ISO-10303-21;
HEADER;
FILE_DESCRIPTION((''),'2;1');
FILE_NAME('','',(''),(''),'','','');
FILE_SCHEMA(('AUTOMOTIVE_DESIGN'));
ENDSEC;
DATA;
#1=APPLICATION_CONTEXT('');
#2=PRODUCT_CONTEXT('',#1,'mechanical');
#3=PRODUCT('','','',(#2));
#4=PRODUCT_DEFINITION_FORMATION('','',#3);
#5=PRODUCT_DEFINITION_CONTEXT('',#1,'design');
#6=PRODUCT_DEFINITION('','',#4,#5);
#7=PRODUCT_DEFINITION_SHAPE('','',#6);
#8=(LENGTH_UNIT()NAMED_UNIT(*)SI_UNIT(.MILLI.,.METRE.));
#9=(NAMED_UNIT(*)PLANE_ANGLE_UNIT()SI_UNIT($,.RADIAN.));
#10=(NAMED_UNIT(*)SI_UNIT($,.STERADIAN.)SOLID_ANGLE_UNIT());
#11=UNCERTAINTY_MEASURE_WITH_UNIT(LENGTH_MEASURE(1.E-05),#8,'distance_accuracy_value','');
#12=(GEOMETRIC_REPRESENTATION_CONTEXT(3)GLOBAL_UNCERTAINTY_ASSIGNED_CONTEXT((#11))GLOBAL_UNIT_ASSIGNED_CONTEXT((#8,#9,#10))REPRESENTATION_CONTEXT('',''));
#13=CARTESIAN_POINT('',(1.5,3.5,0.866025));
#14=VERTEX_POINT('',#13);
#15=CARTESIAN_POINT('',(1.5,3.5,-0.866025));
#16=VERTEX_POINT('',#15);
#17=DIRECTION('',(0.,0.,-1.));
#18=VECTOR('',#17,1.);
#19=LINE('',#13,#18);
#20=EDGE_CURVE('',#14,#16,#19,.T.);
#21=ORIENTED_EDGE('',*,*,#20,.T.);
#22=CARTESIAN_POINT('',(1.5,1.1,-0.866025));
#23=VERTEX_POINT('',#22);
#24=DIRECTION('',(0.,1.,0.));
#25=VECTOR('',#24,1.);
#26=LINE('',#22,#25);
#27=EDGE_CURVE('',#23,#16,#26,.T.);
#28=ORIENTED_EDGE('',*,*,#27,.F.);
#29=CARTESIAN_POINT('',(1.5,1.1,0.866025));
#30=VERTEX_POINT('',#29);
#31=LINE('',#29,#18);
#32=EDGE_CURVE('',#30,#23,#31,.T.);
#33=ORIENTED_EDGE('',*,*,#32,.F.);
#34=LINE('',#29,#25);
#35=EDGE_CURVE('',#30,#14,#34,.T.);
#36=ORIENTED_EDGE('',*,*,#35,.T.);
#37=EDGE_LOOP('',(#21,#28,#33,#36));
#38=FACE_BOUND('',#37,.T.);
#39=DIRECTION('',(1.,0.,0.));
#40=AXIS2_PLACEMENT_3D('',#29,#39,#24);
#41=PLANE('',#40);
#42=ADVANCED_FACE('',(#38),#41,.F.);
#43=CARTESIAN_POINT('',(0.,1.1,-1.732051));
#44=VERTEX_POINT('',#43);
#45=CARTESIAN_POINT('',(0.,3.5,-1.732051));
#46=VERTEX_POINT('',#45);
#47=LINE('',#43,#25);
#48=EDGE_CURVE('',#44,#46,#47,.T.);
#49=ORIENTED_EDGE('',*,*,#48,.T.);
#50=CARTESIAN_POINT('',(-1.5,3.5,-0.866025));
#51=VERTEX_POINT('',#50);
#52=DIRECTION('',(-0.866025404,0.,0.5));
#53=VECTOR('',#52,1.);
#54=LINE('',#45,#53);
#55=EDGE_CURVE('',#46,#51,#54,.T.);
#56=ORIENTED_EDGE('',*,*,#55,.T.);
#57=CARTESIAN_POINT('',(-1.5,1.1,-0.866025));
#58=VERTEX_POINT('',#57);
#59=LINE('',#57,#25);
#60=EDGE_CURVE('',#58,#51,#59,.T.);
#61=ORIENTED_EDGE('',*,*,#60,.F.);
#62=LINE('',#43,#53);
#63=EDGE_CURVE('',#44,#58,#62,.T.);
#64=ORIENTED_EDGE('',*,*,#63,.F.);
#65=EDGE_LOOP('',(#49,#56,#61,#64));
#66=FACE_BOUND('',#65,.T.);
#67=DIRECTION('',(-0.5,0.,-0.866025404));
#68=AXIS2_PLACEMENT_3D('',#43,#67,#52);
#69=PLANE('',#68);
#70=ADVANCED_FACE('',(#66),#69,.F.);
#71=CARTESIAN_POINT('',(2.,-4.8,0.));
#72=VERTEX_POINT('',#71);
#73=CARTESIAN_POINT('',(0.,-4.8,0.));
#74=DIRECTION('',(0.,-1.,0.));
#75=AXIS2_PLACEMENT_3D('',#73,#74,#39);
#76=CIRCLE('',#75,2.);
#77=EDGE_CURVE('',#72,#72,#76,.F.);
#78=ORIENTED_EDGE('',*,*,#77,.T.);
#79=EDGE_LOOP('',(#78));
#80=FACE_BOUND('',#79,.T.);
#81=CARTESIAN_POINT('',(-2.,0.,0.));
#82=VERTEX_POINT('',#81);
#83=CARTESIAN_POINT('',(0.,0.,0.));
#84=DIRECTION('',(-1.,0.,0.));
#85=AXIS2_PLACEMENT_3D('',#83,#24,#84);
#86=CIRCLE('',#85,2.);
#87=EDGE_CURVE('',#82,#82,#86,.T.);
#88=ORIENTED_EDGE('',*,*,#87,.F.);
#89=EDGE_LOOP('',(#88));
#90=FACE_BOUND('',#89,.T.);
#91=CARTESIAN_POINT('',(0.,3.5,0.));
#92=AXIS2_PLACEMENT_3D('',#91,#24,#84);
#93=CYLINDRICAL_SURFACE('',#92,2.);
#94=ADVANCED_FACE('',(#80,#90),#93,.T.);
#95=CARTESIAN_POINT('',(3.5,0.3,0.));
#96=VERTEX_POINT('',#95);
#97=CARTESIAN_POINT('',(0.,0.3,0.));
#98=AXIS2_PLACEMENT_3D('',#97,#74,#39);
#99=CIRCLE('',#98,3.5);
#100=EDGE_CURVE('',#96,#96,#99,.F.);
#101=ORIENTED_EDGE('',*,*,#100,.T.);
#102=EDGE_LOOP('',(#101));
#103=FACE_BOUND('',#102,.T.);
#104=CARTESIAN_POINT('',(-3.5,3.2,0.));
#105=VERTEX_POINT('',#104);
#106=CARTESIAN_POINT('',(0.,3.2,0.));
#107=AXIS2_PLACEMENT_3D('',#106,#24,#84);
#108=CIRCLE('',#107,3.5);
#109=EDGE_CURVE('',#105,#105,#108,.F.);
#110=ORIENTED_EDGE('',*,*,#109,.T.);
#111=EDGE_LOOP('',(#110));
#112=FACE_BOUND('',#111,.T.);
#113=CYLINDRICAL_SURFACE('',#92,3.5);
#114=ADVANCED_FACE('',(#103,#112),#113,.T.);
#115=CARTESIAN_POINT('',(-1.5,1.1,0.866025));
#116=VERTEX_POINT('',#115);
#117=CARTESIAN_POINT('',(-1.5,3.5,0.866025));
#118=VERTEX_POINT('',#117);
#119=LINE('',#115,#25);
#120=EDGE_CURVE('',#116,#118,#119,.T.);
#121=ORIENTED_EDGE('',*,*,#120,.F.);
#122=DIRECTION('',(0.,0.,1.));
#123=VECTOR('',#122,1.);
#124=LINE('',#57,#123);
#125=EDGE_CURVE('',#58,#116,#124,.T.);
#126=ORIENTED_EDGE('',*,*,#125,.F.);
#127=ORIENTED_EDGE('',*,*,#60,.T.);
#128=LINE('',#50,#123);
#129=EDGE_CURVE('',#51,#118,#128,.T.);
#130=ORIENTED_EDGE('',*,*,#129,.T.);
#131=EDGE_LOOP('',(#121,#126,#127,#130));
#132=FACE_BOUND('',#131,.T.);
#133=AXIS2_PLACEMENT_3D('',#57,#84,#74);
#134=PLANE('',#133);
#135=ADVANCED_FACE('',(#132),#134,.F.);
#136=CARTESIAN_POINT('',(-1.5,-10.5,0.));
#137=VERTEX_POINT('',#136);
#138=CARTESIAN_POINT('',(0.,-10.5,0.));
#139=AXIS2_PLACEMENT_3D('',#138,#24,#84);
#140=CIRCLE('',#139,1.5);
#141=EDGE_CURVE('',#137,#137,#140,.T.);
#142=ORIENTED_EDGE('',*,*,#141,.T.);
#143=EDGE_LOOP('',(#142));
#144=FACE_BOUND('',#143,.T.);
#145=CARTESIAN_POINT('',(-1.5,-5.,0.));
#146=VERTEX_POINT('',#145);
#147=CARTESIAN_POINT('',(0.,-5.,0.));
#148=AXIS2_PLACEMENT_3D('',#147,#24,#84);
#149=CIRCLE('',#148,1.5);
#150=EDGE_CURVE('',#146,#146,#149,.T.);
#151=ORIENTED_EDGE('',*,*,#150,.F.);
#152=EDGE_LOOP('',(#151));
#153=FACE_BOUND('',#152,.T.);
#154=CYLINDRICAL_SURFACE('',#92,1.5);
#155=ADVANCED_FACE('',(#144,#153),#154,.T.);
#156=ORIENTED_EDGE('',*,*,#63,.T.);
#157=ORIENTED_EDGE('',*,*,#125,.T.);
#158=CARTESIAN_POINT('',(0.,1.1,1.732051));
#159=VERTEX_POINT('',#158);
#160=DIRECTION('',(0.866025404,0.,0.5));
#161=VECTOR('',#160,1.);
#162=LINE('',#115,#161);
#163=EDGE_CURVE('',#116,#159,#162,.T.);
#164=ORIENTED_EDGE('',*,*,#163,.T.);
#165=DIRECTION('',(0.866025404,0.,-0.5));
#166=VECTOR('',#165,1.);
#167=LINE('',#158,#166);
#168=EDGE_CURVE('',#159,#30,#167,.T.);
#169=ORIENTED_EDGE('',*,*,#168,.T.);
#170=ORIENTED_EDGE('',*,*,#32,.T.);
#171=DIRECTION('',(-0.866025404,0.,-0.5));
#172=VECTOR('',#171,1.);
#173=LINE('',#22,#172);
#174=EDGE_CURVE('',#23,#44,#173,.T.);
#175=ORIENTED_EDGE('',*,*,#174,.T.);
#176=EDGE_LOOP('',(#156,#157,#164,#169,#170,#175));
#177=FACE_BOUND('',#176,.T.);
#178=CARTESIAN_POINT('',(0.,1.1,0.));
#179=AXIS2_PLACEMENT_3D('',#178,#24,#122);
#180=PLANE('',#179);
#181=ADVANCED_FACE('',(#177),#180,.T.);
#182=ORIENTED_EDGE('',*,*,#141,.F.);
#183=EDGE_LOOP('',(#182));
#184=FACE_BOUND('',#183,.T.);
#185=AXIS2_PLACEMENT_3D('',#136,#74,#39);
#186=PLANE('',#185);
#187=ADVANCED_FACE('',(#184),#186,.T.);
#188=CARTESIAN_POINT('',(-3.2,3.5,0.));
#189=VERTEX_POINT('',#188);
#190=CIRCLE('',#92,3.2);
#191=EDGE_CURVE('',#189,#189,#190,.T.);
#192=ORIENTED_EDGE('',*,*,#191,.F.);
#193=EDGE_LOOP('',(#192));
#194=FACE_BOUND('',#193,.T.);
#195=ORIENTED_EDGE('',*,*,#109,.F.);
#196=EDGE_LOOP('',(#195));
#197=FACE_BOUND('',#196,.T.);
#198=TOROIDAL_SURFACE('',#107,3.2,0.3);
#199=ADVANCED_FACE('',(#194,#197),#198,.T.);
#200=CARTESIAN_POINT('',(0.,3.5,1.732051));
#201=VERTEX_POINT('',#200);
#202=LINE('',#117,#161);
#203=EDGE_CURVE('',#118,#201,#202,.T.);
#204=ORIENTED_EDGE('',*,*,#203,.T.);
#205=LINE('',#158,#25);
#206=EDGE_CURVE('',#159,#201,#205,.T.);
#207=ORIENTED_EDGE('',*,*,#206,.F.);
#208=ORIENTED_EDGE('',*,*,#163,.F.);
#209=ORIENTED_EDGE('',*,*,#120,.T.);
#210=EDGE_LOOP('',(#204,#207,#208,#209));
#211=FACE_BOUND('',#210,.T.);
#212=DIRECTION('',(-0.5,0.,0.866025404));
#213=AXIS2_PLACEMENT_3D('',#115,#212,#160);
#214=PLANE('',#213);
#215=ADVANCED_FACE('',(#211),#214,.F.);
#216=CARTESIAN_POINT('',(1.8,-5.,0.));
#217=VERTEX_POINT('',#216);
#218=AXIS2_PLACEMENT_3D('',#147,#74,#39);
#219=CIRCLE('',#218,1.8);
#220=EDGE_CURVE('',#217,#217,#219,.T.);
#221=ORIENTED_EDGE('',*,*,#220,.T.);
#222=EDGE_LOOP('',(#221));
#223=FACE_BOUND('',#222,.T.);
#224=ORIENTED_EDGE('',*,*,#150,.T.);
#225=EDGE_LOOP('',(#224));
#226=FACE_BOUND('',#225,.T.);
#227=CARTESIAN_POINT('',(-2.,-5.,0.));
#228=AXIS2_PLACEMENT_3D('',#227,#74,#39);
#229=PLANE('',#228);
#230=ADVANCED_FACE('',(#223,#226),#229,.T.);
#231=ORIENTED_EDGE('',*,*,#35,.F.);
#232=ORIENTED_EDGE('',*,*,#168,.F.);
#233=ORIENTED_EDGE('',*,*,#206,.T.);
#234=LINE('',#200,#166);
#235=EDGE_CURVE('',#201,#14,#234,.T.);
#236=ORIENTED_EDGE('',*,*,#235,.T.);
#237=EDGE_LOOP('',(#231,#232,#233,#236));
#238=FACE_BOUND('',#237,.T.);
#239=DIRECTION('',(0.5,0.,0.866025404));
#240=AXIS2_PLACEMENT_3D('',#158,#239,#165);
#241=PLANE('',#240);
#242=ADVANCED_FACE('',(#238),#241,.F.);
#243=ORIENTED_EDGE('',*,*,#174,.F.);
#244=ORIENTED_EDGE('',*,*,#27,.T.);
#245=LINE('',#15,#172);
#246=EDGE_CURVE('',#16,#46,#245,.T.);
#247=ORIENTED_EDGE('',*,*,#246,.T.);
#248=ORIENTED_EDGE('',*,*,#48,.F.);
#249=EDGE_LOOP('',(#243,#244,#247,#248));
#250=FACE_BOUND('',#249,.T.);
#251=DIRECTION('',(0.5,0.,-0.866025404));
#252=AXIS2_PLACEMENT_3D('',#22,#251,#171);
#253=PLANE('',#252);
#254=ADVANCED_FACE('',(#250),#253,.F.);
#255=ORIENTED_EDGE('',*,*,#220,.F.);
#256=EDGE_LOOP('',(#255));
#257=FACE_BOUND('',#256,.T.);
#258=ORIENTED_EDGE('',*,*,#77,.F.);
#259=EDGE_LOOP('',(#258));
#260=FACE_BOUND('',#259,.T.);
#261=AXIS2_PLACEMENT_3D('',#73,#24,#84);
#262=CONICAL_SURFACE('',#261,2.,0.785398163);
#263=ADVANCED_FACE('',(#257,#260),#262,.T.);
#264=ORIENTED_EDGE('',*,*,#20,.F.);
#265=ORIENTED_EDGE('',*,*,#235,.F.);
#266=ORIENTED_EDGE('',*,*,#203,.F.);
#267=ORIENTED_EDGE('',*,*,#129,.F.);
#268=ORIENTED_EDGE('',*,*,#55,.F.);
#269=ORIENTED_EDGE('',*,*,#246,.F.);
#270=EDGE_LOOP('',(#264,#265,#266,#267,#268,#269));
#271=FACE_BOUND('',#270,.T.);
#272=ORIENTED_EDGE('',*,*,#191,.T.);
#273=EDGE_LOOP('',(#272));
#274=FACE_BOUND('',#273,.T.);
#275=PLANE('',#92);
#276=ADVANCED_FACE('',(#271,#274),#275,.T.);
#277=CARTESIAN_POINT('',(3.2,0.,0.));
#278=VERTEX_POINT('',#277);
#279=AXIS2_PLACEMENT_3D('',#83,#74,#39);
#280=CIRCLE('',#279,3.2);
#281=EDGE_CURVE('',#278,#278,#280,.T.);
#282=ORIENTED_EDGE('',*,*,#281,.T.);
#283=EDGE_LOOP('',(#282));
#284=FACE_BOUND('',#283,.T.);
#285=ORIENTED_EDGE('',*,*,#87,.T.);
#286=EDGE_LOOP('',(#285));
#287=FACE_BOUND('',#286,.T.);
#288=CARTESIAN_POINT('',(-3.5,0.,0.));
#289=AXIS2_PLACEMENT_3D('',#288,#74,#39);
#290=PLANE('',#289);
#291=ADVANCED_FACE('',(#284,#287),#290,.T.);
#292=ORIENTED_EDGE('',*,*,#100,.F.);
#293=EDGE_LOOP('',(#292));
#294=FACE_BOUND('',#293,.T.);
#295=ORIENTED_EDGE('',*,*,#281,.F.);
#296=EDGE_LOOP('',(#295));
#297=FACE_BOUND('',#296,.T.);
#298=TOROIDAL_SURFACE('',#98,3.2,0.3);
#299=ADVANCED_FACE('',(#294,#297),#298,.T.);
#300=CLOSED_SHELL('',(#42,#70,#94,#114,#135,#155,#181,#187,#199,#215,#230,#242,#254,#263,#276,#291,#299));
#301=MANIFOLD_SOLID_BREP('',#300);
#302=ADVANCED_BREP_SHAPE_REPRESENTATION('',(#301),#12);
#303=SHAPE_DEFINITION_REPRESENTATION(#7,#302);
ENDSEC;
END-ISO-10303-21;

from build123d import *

# Parameters (mm, degrees)
FILLET_1_R          = 0.3
CUT_EXTRUDE_1_DEPTH = 2.4
CHAMFER_1_SIZE      = 0.2


with BuildPart() as part:
    # 草图1 → 旋转1 (revolve)
    with BuildSketch(Plane.XY):
        Polygon((0, 3.5), (-3.5, 3.5), (-3.5, 0), (-2, 0), (-2, -5), (-1.5, -5), (-1.5, -10.5), (0, -10.5), align=None)
    revolve(axis=Axis((0, 3.5, 0), (0, -1, 0)))

    # 圆角1
    fillet_1_edges = [part.edges().sort_by_distance(p)[0] for p in [
        (3.5, 0, 0),
        (3.5, 3.5, 0),
    ]]
    fillet(fillet_1_edges, radius=FILLET_1_R)

    # 草图2 → 切除-拉伸1 (cut)
    with BuildSketch(Plane(origin=(0, 3.5, 0), x_dir=(1, 0, 0), z_dir=(0, 1, 0))):
        Polygon((1.5, -0.866025404), (1.5, 0.866025404), (0, 1.732050808), (-1.5, 0.866025404), (-1.5, -0.866025404), (0, -1.732050808), align=None)
    extrude(amount=-CUT_EXTRUDE_1_DEPTH, mode=Mode.SUBTRACT)

    # 倒角1
    chamfer_1_edges = [part.edges().sort_by_distance(p)[0] for p in [
        (2, -5, 0),
    ]]
    chamfer(chamfer_1_edges, length=CHAMFER_1_SIZE)


solid = part.part
